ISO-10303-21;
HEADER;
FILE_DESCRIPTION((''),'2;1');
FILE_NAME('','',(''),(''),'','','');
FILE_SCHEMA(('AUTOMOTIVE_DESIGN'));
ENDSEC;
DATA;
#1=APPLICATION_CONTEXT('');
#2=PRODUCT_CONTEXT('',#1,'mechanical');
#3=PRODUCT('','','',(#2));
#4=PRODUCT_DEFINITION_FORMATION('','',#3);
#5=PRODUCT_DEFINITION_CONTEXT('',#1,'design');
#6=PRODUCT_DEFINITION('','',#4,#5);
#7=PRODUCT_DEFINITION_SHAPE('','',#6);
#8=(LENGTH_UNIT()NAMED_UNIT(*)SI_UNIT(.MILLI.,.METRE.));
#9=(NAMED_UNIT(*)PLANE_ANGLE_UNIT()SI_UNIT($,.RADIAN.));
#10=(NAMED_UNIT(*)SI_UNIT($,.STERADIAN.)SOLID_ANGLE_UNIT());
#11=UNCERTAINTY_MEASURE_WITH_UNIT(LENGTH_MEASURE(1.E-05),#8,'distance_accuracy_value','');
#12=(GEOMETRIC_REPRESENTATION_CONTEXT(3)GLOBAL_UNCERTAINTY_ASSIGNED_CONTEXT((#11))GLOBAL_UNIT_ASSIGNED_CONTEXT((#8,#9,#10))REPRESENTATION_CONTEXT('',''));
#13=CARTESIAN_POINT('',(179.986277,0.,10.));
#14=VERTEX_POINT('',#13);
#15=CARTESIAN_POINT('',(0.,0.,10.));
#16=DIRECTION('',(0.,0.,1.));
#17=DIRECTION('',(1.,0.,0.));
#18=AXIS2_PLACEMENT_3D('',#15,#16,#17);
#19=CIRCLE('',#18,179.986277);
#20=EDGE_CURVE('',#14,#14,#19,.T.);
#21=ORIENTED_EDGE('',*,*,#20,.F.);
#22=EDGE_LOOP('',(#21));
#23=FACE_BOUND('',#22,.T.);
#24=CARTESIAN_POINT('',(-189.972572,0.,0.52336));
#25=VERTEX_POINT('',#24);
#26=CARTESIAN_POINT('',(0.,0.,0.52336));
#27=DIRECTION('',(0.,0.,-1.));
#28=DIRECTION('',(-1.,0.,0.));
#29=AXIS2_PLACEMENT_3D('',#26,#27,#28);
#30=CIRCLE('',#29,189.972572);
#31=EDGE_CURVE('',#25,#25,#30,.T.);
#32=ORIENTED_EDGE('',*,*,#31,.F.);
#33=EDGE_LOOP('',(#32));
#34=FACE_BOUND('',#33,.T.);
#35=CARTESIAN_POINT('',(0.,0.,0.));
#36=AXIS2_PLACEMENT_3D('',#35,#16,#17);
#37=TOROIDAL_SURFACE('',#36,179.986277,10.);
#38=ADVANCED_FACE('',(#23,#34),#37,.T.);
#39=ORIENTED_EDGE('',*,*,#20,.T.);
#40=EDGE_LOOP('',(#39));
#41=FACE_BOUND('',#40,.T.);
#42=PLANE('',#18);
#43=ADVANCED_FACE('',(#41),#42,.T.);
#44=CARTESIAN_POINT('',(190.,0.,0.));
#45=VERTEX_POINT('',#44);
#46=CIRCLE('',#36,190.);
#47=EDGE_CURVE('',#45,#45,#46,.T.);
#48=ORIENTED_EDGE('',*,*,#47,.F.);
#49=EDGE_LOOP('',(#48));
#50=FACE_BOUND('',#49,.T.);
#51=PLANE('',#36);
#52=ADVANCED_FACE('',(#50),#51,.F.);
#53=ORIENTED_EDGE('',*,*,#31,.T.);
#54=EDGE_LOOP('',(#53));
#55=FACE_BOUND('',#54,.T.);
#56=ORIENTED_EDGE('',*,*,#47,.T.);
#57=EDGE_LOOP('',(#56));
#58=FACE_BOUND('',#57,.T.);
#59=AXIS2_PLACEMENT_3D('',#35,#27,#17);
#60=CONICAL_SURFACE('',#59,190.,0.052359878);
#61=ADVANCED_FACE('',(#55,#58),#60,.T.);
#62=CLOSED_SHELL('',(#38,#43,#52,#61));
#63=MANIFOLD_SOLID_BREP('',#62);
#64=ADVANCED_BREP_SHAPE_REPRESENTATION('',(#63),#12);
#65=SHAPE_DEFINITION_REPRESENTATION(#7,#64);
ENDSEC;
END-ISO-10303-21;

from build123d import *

# Parameters (mm, degrees)
SKETCH1_R           = 190
BOSS_EXTRUDE1_DEPTH = 10
BOSS_EXTRUDE1_TAPER = 3
FILLET1_R           = 10


with BuildPart() as part:
    # Sketch1 → Boss-Extrude1 (new body)
    with BuildSketch(Plane.XY):
        Circle(SKETCH1_R)
    extrude(amount=BOSS_EXTRUDE1_DEPTH, taper=BOSS_EXTRUDE1_TAPER)

    # Fillet1
    fillet1_edges = [part.edges().sort_by_distance(p)[0] for p in [
        (-189.475922207, 0, 10),
    ]]
    fillet(fillet1_edges, radius=FILLET1_R)


solid = part.part
